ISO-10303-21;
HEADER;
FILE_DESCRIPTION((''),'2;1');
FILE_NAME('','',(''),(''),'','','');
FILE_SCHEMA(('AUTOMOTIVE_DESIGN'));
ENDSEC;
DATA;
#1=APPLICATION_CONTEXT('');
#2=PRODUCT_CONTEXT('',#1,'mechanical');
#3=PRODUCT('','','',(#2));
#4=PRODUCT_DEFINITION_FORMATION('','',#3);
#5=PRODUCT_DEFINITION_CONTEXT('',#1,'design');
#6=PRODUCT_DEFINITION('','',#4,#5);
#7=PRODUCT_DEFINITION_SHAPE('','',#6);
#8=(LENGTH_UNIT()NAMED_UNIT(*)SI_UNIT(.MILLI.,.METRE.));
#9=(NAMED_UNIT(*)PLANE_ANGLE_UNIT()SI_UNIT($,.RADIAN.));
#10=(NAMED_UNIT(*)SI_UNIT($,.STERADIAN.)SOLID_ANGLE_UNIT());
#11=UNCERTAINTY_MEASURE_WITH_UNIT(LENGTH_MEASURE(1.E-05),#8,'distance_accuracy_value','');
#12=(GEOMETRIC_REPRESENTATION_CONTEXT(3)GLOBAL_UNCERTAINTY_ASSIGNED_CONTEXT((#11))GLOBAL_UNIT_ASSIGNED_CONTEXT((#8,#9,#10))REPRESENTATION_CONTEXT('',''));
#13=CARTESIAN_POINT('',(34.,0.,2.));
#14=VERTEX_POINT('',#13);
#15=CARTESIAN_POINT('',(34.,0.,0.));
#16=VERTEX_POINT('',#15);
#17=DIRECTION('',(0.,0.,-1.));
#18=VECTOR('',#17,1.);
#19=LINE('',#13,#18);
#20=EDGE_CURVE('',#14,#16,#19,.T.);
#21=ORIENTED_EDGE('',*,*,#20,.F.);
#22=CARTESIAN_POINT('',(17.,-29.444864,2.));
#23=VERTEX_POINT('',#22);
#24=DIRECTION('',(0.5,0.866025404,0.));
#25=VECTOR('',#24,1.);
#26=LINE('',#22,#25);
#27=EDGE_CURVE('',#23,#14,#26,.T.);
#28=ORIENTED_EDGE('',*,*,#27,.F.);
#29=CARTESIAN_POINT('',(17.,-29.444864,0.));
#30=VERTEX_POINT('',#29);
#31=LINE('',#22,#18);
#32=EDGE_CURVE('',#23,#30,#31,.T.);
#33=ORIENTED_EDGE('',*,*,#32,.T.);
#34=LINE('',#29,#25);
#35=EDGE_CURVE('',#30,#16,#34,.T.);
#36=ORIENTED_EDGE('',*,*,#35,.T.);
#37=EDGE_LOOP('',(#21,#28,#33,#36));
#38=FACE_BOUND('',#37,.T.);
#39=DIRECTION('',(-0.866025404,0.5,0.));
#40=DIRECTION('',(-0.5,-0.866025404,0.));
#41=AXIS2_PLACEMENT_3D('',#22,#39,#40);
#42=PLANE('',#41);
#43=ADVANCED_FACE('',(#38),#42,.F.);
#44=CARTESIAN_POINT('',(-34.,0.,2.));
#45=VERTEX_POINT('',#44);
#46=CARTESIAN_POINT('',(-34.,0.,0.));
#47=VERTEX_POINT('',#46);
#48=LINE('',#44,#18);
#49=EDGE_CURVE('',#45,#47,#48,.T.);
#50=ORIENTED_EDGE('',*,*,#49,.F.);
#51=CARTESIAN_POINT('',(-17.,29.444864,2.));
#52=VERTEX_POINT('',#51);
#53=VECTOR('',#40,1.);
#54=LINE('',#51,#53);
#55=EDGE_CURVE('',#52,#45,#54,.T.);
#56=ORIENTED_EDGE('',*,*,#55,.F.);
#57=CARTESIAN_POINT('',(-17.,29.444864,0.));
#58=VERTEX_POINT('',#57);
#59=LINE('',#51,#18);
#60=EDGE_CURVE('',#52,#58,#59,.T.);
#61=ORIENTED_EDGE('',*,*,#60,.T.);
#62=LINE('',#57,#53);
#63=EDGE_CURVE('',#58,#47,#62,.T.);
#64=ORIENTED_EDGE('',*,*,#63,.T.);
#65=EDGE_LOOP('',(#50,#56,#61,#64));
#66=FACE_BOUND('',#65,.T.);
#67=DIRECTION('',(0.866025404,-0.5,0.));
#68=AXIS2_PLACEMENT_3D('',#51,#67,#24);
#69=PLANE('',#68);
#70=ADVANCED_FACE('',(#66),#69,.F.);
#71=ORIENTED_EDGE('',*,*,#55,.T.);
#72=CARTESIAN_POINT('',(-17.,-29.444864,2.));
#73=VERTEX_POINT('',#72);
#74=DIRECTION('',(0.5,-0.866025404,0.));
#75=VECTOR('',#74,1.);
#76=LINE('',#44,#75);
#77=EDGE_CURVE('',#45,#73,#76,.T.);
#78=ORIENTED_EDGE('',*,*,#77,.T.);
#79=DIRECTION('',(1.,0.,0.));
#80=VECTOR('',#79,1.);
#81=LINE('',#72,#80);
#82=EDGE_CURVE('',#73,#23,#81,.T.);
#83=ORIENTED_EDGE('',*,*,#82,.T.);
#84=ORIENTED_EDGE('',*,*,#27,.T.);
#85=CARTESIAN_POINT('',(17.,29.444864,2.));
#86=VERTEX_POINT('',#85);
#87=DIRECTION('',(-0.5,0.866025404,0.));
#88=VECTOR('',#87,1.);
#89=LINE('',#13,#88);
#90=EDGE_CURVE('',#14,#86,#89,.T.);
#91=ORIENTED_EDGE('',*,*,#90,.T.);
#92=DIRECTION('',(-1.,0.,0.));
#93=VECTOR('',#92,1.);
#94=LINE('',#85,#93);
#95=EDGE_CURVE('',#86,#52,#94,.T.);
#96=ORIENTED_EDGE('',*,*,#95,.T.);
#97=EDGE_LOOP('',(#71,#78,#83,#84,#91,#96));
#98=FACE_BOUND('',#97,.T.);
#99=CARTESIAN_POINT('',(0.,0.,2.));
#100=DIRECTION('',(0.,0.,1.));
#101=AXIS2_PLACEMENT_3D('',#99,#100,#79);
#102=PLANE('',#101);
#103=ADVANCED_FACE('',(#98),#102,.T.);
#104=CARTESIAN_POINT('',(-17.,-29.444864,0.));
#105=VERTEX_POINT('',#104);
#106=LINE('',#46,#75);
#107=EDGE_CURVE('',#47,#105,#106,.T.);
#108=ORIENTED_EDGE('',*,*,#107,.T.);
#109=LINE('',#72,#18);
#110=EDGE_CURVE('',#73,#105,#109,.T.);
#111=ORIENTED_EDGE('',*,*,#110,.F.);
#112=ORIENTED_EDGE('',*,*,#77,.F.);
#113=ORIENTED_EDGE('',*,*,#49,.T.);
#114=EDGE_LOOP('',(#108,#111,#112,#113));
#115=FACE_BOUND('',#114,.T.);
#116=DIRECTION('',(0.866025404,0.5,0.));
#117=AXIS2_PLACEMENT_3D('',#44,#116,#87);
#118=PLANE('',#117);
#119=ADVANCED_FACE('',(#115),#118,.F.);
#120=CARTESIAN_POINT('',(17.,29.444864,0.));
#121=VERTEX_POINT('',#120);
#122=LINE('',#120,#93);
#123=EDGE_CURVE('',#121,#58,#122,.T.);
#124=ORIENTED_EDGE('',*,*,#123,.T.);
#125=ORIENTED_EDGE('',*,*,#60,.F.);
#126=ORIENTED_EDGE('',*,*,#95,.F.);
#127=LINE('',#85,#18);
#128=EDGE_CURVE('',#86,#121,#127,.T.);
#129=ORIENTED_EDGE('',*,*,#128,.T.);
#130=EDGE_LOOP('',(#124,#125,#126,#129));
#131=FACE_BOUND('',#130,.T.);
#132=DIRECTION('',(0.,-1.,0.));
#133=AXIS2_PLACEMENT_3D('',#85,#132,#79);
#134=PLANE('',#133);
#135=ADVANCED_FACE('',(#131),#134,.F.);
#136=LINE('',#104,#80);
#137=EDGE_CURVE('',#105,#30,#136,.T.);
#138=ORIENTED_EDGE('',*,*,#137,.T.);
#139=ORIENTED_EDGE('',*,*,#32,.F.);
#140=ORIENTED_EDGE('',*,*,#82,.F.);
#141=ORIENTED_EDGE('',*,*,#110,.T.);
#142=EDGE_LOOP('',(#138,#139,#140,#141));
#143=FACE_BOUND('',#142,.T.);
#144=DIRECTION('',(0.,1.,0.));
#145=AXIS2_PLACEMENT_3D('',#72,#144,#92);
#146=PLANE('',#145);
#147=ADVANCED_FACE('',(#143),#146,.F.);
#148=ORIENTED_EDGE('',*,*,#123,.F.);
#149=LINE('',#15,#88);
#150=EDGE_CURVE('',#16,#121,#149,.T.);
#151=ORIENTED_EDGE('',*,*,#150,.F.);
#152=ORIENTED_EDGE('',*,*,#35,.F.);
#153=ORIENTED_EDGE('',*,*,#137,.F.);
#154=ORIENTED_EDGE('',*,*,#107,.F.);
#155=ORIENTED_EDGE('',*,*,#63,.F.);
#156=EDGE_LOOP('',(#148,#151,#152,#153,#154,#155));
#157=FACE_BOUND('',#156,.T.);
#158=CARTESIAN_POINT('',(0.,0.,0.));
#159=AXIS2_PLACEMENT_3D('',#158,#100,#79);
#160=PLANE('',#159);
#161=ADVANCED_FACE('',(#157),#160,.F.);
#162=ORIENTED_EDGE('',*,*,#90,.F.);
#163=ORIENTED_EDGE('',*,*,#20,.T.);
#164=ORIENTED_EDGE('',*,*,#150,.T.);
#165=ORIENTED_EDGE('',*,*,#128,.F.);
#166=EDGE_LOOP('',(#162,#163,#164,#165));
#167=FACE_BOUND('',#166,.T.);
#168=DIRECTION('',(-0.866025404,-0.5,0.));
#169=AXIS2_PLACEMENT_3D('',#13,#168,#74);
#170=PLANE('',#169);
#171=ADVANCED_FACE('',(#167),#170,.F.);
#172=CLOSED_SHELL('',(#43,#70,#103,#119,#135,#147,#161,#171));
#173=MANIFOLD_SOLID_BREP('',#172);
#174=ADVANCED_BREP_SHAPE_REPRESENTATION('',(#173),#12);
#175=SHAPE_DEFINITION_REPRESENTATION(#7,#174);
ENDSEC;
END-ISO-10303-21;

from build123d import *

# Parameters (mm, degrees)
BOSS_EXTRUDE1_DEPTH = 2


with BuildPart() as part:
    # Sketch1 → Boss-Extrude1 (new body)
    with BuildSketch(Plane.XY):
        Polygon((34, 0), (17, 29.444863729), (-17, 29.444863729), (-34, 0), (-17, -29.444863729), (17, -29.444863729), align=None)
    extrude(amount=BOSS_EXTRUDE1_DEPTH)


solid = part.part
